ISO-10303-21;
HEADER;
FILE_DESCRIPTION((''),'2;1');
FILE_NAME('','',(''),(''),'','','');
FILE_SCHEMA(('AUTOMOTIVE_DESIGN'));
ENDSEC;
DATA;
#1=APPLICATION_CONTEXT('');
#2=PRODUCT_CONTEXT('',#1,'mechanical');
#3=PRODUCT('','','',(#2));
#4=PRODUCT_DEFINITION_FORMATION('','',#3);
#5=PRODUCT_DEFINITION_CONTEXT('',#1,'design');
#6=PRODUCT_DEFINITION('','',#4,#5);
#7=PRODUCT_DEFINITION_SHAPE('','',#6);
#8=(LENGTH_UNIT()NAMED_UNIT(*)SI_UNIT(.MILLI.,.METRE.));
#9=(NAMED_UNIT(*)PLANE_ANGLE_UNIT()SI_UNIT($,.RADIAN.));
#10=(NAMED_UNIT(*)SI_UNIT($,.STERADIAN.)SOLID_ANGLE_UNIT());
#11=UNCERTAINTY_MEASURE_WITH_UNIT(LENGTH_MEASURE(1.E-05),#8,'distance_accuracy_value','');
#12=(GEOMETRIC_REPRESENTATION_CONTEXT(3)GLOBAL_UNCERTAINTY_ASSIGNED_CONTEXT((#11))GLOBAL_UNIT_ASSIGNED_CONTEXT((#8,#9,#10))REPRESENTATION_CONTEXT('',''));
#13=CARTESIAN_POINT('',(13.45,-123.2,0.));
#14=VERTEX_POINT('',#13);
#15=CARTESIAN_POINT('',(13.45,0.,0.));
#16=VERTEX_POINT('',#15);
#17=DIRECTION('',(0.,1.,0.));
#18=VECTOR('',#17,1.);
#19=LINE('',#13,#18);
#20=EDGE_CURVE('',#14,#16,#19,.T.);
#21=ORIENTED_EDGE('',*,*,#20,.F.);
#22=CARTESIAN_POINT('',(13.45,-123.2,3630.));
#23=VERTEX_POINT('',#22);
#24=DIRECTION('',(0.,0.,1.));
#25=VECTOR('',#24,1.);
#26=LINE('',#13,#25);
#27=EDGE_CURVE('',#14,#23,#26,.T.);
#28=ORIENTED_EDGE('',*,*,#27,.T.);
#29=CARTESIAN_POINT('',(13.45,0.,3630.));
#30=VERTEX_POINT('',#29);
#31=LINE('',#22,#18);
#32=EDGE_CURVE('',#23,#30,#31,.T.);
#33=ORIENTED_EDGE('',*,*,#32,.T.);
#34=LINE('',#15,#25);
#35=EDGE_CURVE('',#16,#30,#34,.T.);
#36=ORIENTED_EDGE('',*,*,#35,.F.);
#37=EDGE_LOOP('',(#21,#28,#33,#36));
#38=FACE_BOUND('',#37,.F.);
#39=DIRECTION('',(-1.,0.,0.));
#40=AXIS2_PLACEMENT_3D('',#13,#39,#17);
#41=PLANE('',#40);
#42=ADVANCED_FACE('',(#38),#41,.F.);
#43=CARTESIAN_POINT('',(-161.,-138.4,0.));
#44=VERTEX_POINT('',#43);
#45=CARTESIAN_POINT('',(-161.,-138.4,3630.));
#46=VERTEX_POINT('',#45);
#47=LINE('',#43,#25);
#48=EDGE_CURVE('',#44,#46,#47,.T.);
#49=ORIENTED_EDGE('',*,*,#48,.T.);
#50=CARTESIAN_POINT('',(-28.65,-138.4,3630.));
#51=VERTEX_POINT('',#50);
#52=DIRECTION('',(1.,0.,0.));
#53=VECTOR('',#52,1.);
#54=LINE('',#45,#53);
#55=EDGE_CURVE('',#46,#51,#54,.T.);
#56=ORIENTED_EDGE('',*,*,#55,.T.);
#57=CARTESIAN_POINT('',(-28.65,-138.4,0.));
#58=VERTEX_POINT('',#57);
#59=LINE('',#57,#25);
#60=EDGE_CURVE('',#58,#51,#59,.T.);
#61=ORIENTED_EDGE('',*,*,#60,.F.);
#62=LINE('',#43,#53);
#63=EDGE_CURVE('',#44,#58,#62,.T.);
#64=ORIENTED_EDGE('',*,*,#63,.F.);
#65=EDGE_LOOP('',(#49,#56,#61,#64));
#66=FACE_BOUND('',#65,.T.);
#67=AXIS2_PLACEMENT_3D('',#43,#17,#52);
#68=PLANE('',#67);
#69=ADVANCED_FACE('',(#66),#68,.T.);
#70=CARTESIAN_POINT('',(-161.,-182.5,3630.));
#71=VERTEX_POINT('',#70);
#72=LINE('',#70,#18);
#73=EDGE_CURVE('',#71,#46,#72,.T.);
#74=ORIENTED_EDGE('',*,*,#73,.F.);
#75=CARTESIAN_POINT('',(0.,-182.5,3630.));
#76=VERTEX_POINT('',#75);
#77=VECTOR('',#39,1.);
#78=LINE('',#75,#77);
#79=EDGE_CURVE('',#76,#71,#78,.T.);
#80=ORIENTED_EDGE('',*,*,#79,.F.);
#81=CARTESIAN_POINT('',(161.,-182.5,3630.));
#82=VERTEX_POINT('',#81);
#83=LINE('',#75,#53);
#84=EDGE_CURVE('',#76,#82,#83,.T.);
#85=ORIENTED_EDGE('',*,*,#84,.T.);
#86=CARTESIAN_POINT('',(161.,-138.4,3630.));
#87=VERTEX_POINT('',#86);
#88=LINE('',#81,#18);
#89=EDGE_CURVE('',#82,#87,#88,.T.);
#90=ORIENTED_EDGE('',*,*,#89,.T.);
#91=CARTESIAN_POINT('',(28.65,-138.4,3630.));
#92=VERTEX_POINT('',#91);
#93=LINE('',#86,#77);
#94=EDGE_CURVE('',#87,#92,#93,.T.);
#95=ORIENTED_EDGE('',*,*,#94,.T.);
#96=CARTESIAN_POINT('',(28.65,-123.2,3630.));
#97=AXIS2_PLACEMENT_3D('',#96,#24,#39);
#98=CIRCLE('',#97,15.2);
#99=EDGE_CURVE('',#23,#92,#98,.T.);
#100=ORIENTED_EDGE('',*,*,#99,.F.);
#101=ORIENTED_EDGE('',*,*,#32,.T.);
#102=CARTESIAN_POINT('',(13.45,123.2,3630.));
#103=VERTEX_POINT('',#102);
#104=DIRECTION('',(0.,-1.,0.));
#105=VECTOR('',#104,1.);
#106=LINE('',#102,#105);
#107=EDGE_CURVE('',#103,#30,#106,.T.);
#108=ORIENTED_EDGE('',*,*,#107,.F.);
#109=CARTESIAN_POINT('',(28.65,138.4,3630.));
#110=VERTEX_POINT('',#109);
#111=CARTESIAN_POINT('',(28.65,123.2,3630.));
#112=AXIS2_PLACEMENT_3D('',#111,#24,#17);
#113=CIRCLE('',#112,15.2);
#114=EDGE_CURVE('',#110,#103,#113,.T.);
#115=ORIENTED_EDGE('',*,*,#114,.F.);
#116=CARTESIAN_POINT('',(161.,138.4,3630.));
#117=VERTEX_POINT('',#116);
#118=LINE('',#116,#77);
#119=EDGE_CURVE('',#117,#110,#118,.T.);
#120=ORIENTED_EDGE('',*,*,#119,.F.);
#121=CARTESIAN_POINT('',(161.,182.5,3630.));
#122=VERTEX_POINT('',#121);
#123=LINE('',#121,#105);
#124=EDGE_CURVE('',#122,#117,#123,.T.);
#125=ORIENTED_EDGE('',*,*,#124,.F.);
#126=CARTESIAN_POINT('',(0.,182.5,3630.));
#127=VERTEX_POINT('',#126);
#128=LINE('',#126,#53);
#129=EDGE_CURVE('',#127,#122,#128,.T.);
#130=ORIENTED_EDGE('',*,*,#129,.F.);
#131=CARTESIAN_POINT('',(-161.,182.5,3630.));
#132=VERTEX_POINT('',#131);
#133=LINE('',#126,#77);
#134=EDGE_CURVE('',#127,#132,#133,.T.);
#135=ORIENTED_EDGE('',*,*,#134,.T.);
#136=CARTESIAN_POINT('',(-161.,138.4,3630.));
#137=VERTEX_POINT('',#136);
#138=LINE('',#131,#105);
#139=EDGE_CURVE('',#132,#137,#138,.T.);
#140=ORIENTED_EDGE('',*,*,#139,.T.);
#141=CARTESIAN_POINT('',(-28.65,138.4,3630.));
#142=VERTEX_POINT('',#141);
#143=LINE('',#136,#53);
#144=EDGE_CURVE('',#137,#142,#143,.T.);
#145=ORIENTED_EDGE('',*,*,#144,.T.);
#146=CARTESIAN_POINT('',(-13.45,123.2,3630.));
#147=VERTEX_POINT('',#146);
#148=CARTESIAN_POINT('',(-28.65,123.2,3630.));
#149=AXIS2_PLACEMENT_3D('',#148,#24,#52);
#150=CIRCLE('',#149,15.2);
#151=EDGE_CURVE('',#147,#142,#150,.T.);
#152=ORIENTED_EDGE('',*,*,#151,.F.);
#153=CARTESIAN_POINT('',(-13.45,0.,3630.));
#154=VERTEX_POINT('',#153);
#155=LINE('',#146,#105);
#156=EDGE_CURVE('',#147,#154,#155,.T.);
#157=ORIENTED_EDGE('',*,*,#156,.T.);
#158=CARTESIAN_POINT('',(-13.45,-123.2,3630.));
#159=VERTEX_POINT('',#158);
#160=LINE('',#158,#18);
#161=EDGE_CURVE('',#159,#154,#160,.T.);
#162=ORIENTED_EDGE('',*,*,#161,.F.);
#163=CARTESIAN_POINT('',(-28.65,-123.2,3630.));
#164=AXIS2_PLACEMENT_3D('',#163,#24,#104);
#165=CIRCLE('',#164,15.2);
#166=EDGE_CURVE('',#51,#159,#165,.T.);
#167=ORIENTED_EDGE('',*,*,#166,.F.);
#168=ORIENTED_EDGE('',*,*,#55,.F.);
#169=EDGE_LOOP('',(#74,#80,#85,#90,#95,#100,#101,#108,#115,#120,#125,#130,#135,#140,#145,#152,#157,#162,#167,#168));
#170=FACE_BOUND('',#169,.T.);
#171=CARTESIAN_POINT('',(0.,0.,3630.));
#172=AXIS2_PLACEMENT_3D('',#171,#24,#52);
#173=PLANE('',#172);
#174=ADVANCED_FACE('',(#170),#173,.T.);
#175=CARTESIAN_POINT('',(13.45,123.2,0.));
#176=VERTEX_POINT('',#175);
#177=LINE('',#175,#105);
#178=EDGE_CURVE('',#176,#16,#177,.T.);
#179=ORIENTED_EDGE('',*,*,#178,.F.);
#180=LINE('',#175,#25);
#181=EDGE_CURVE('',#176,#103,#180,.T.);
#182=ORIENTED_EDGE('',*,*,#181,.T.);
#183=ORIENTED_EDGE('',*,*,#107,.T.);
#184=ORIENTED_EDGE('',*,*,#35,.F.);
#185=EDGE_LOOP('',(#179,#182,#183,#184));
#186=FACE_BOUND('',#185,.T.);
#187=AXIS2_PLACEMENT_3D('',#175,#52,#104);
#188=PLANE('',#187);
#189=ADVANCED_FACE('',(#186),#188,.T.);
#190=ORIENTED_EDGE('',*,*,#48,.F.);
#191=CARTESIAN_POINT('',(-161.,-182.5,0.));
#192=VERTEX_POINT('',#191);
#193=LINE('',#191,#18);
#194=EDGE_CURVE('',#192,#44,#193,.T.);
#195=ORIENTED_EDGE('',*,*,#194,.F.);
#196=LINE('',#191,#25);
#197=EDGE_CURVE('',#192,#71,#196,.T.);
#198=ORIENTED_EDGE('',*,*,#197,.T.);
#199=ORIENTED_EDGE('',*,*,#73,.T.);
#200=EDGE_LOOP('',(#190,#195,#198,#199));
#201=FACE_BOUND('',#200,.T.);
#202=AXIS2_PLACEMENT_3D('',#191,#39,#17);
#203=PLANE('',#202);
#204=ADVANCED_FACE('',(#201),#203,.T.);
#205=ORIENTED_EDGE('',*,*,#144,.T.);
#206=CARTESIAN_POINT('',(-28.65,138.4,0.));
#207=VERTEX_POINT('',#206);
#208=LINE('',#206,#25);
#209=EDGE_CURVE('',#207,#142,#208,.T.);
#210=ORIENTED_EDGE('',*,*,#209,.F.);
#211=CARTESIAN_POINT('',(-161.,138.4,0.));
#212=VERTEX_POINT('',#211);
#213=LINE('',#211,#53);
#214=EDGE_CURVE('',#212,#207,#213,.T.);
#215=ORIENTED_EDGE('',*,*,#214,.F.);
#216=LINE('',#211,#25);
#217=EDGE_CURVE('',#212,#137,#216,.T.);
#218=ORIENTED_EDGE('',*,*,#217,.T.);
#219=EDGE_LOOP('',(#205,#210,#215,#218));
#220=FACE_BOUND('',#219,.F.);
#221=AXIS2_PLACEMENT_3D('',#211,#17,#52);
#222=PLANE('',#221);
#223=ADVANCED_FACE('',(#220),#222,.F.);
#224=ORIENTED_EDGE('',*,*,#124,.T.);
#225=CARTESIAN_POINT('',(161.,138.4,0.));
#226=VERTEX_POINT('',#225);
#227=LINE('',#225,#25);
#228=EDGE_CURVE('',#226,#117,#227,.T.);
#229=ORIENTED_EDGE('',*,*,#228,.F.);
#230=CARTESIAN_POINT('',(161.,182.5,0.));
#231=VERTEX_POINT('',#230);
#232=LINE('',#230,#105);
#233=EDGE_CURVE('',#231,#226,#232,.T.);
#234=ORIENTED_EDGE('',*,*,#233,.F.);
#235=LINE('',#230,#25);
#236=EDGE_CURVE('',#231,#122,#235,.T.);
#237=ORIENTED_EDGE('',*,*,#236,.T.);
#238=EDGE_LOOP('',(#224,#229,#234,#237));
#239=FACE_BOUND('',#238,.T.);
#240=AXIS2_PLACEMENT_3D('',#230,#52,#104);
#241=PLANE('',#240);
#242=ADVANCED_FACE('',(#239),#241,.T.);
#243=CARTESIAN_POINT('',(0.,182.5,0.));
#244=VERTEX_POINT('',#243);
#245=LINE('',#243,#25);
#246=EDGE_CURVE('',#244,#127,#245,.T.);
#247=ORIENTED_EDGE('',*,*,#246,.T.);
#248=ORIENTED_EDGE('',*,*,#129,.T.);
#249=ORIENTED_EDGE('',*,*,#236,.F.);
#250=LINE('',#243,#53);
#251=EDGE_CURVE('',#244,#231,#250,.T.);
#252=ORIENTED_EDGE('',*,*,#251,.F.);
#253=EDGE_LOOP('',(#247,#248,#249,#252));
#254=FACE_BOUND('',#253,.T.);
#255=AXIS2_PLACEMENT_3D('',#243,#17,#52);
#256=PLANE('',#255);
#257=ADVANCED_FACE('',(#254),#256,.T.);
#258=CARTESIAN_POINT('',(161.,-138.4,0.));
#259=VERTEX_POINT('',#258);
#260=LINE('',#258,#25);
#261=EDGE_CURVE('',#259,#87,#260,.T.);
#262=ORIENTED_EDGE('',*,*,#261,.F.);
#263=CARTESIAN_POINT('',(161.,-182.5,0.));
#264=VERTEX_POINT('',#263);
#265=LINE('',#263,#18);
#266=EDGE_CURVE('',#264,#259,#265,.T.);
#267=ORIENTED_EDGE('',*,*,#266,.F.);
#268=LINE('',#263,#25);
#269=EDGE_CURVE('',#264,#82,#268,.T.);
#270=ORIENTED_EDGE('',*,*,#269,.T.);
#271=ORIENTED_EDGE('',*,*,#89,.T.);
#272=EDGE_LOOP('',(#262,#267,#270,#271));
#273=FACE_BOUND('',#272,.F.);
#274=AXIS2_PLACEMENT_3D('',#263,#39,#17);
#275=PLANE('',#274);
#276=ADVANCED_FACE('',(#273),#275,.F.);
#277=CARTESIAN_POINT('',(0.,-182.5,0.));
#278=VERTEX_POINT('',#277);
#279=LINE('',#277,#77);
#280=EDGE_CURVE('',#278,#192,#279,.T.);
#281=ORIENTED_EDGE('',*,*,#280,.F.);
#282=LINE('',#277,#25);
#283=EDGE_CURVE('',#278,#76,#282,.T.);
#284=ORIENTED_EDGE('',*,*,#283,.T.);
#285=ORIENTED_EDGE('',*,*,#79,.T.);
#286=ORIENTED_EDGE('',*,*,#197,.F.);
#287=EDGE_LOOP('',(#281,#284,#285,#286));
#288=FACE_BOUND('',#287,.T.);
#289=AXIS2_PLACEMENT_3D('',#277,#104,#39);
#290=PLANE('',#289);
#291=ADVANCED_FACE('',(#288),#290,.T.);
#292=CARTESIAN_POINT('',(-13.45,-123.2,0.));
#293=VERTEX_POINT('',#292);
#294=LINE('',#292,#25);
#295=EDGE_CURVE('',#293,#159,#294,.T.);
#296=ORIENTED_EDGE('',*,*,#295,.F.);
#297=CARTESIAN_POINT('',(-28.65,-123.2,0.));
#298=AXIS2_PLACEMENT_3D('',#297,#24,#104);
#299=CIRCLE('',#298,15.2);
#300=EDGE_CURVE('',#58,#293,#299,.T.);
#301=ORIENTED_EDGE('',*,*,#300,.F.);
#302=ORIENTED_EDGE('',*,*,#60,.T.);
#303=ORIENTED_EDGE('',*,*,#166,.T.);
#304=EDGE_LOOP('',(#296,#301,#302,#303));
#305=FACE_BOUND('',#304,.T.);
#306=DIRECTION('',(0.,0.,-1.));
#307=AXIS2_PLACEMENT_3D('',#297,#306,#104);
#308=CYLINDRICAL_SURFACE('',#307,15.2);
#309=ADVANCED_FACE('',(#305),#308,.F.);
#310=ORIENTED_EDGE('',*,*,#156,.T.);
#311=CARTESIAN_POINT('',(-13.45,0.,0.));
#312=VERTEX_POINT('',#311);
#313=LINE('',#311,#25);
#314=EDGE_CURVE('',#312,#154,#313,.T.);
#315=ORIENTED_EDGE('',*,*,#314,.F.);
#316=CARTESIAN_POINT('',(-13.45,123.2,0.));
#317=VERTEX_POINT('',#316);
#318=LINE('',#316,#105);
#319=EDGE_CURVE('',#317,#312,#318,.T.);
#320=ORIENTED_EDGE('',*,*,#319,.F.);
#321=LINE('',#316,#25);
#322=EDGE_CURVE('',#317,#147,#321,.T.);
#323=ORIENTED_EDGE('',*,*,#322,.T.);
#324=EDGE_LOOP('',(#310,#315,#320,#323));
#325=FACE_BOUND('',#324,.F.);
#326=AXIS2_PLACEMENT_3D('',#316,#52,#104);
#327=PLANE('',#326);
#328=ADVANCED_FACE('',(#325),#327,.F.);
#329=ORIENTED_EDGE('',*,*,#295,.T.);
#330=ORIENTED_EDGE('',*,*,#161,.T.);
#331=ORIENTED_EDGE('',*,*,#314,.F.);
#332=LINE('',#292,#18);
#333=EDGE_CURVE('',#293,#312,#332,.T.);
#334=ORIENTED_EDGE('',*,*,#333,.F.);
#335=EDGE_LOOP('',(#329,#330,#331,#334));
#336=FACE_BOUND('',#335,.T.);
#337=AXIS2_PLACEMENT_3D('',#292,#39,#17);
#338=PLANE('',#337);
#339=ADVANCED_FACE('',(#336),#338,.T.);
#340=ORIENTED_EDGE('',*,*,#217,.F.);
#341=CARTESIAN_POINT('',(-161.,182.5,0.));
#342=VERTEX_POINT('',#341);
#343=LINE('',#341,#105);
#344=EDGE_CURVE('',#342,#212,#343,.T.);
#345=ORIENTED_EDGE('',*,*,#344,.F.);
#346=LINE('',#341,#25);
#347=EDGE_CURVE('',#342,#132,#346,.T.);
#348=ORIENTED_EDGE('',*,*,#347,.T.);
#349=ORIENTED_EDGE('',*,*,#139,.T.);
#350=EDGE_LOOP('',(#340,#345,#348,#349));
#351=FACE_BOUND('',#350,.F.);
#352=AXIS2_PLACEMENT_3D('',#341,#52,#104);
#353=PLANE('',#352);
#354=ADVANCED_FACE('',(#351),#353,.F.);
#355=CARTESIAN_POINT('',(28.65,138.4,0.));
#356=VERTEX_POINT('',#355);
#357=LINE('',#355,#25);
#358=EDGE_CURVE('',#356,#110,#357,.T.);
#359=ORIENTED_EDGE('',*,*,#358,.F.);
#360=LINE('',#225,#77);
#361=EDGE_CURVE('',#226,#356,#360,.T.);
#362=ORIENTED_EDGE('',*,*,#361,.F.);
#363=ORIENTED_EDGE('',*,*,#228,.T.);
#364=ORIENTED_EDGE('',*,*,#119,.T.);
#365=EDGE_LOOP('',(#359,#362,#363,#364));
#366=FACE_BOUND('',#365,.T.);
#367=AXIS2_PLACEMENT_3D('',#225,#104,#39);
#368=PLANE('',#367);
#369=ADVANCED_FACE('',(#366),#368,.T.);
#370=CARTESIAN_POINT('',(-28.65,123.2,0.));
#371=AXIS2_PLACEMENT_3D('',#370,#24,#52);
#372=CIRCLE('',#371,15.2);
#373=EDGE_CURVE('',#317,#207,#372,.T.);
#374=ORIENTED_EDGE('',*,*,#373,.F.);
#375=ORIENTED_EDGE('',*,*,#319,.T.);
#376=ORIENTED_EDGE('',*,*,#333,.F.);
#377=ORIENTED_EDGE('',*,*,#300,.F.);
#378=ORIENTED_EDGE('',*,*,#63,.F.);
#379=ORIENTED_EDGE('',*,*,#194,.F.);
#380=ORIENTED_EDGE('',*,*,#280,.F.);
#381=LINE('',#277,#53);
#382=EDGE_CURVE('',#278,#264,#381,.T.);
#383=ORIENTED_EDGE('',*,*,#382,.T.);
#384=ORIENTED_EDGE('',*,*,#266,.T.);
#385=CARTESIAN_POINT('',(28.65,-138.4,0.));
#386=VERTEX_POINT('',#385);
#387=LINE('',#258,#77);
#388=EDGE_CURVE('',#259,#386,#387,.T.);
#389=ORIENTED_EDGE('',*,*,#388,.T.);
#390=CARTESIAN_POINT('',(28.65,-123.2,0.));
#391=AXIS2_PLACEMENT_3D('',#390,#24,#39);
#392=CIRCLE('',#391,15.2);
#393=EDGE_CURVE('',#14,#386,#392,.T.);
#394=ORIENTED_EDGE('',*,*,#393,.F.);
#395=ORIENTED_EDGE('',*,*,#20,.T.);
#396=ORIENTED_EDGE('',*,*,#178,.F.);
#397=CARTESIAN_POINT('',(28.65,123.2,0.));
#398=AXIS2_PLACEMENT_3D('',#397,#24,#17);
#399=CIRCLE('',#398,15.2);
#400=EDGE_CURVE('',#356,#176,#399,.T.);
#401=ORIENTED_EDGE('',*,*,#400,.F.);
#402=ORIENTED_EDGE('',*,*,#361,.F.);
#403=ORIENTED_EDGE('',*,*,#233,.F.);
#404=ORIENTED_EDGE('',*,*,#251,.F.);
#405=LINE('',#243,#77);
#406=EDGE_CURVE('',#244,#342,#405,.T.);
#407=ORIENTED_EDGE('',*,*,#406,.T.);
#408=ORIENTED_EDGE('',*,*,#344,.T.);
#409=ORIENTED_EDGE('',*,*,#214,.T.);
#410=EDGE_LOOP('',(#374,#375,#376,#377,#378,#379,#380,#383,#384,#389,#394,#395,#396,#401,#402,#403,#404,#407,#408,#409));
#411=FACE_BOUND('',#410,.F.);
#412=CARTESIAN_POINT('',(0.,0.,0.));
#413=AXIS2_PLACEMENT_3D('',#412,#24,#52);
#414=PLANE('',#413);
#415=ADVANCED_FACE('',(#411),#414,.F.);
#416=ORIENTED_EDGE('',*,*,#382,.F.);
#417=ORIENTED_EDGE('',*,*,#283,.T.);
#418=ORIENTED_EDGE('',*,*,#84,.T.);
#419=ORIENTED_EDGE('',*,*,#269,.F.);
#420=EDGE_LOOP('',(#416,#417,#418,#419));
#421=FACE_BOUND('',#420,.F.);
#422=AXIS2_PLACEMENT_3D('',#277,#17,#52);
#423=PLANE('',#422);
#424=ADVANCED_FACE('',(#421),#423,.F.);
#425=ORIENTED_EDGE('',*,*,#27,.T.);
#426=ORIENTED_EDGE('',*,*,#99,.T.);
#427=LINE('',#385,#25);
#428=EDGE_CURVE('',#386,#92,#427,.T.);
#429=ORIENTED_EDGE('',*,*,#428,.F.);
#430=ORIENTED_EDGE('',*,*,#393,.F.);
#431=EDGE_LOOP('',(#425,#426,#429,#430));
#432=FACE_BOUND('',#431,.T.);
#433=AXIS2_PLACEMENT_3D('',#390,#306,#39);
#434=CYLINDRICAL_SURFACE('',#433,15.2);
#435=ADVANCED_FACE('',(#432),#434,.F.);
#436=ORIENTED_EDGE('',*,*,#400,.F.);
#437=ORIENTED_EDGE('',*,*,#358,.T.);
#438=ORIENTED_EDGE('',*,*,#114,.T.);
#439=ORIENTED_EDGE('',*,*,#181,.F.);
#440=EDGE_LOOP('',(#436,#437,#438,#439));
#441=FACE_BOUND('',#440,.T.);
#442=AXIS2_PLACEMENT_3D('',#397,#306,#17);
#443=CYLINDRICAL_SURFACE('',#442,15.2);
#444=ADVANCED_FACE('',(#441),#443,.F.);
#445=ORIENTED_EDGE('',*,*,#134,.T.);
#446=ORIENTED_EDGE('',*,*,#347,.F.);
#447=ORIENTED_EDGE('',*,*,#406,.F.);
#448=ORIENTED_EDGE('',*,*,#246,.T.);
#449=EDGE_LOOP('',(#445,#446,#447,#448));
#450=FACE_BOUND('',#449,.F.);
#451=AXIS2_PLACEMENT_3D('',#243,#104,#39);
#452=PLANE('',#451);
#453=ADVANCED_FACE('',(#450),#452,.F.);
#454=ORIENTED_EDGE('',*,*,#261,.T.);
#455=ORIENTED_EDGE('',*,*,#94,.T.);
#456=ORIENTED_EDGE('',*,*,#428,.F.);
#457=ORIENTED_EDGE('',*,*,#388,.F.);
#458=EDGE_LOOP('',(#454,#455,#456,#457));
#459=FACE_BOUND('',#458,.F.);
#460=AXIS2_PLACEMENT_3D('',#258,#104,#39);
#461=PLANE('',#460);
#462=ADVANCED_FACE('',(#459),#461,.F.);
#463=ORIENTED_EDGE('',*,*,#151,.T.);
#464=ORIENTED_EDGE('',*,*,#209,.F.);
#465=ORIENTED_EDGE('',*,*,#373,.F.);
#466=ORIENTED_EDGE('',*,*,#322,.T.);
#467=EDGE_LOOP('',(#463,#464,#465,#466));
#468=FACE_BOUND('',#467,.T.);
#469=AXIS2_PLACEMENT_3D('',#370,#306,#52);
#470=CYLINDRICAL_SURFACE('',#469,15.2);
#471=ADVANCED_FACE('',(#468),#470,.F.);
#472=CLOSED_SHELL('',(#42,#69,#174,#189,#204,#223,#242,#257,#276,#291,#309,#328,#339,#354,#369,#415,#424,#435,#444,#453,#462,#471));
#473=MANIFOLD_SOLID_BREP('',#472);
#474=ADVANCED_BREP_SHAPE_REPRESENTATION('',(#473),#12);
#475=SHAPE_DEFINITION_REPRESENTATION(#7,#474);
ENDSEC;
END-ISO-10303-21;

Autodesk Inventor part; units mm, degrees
ref_plane "YZ Plane" through (0, 0, 0) normal (1, 0, 0) x (0, 1, 0)
ref_plane "Start plane" through (0, 0, 0) normal (0, 0, 1) x (1, 0, 0)
ref_plane "End plane" through (0, 0, 3630) normal (0, 0, 1) x (1, 0, 0)
sketch "Sketch" plane through (0, 0, 0) normal (0, 0, 1) x (1, 0, 0)
  line L0 (-161, -182.5) -> (-161, -138.4)
  line L1 (-161, -138.4) -> (-28.65, -138.4)
  line L2 (-13.45, -123.2) -> (-13.45, 0)
  line L3 (-13.45, 0) -> (0, 0) construction
  line L4 (0, 0) -> (0, -182.5) construction
  line L5 (0, -182.5) -> (-161, -182.5)
  line L6 (-60, 0) -> (80, 0) construction
  line L7 (0, -60) -> (0, 80) construction
  line L8 (161, -182.5) -> (161, -138.4)
  line L9 (161, -138.4) -> (28.65, -138.4)
  line L10 (13.45, -123.2) -> (13.45, 0)
  line L11 (13.45, 0) -> (0, 0) construction
  line L12 (0, -182.5) -> (161, -182.5)
  line L13 (-161, 182.5) -> (-161, 138.4)
  line L14 (-161, 138.4) -> (-28.65, 138.4)
  line L15 (-13.45, 123.2) -> (-13.45, 0)
  line L16 (0, 182.5) -> (-161, 182.5)
  line L17 (161, 182.5) -> (161, 138.4)
  line L18 (161, 138.4) -> (28.65, 138.4)
  line L19 (0, 182.5) -> (161, 182.5)
  line L20 (13.45, 123.2) -> (13.45, 0)
  arc A0 (-13.45, 123.2) -> (-28.65, 138.4) centre (-28.65, 123.2) ccw
  arc A1 (28.65, 138.4) -> (13.45, 123.2) centre (28.65, 123.2) ccw
  arc A2 (13.45, -123.2) -> (28.65, -138.4) centre (28.65, -123.2) ccw
  arc A3 (-28.65, -138.4) -> (-13.45, -123.2) centre (-28.65, -123.2) ccw
  line L21 (0, 108) -> (0, -88) construction
  line L22 (-88, 0) -> (108, 0) construction
  point P0 (-13.45, -138.4)
  point P1 (13.45, -138.4)
  point P2 (-13.45, 138.4)
  point P3 (13.45, 138.4)
  dimension "d1" = 182.5
  dimension "d2" = 44.1
  dimension "d3" = 161
  dimension "d4" = 13.45
  dimension "d10" = 15.2
extrude "Body" add sketch "Sketch" along normal up to surface (3630 mm away) from surface at 0
sketch "Sketch4" plane through (0, 0, 0) normal (0, 0, 1) x (1, 0, 0)
  line L0 (0, 0) -> (10, 0)
ref_plane "Work Plane3" through (0, 0, 0) normal (0, -1, 0) x (1, 0, 0)
sketch "Sketch5" plane through (0, 0, 0) normal (0, -1, 0) x (1, 0, 0)
  line L0 (-2, 0) -> (12, 0) projected
  line L1 (-2, 3630) -> (12, 3630) projected
  dimension "d14" = 3630
equation "\"d1\" = 0.5 * G_H"
equation "\"d2\" = G_T1"
equation "\"d3\" = 0.5 * G_W"
equation "\"d4\" = 0.5 * G_T"
equation "\"d10\" = G_IR"
equation "\"d5\" = G_L"
equation "\"G_W\" = 322"
equation "\"G_H\" = 365"
equation "\"G_T\" = 26.9"
equation "\"G_T1\" = 44.1"
equation "\"G_IR\" = 15.2"
equation "\"G_L\" = d14"
equation "\"G_OFFSET_START\" = 0"
equation "\"G_OFFSET_END\" = 0"
properties part number "AS 3679 - 310 UC - 283 - 3630" material "Steel, Mild"
